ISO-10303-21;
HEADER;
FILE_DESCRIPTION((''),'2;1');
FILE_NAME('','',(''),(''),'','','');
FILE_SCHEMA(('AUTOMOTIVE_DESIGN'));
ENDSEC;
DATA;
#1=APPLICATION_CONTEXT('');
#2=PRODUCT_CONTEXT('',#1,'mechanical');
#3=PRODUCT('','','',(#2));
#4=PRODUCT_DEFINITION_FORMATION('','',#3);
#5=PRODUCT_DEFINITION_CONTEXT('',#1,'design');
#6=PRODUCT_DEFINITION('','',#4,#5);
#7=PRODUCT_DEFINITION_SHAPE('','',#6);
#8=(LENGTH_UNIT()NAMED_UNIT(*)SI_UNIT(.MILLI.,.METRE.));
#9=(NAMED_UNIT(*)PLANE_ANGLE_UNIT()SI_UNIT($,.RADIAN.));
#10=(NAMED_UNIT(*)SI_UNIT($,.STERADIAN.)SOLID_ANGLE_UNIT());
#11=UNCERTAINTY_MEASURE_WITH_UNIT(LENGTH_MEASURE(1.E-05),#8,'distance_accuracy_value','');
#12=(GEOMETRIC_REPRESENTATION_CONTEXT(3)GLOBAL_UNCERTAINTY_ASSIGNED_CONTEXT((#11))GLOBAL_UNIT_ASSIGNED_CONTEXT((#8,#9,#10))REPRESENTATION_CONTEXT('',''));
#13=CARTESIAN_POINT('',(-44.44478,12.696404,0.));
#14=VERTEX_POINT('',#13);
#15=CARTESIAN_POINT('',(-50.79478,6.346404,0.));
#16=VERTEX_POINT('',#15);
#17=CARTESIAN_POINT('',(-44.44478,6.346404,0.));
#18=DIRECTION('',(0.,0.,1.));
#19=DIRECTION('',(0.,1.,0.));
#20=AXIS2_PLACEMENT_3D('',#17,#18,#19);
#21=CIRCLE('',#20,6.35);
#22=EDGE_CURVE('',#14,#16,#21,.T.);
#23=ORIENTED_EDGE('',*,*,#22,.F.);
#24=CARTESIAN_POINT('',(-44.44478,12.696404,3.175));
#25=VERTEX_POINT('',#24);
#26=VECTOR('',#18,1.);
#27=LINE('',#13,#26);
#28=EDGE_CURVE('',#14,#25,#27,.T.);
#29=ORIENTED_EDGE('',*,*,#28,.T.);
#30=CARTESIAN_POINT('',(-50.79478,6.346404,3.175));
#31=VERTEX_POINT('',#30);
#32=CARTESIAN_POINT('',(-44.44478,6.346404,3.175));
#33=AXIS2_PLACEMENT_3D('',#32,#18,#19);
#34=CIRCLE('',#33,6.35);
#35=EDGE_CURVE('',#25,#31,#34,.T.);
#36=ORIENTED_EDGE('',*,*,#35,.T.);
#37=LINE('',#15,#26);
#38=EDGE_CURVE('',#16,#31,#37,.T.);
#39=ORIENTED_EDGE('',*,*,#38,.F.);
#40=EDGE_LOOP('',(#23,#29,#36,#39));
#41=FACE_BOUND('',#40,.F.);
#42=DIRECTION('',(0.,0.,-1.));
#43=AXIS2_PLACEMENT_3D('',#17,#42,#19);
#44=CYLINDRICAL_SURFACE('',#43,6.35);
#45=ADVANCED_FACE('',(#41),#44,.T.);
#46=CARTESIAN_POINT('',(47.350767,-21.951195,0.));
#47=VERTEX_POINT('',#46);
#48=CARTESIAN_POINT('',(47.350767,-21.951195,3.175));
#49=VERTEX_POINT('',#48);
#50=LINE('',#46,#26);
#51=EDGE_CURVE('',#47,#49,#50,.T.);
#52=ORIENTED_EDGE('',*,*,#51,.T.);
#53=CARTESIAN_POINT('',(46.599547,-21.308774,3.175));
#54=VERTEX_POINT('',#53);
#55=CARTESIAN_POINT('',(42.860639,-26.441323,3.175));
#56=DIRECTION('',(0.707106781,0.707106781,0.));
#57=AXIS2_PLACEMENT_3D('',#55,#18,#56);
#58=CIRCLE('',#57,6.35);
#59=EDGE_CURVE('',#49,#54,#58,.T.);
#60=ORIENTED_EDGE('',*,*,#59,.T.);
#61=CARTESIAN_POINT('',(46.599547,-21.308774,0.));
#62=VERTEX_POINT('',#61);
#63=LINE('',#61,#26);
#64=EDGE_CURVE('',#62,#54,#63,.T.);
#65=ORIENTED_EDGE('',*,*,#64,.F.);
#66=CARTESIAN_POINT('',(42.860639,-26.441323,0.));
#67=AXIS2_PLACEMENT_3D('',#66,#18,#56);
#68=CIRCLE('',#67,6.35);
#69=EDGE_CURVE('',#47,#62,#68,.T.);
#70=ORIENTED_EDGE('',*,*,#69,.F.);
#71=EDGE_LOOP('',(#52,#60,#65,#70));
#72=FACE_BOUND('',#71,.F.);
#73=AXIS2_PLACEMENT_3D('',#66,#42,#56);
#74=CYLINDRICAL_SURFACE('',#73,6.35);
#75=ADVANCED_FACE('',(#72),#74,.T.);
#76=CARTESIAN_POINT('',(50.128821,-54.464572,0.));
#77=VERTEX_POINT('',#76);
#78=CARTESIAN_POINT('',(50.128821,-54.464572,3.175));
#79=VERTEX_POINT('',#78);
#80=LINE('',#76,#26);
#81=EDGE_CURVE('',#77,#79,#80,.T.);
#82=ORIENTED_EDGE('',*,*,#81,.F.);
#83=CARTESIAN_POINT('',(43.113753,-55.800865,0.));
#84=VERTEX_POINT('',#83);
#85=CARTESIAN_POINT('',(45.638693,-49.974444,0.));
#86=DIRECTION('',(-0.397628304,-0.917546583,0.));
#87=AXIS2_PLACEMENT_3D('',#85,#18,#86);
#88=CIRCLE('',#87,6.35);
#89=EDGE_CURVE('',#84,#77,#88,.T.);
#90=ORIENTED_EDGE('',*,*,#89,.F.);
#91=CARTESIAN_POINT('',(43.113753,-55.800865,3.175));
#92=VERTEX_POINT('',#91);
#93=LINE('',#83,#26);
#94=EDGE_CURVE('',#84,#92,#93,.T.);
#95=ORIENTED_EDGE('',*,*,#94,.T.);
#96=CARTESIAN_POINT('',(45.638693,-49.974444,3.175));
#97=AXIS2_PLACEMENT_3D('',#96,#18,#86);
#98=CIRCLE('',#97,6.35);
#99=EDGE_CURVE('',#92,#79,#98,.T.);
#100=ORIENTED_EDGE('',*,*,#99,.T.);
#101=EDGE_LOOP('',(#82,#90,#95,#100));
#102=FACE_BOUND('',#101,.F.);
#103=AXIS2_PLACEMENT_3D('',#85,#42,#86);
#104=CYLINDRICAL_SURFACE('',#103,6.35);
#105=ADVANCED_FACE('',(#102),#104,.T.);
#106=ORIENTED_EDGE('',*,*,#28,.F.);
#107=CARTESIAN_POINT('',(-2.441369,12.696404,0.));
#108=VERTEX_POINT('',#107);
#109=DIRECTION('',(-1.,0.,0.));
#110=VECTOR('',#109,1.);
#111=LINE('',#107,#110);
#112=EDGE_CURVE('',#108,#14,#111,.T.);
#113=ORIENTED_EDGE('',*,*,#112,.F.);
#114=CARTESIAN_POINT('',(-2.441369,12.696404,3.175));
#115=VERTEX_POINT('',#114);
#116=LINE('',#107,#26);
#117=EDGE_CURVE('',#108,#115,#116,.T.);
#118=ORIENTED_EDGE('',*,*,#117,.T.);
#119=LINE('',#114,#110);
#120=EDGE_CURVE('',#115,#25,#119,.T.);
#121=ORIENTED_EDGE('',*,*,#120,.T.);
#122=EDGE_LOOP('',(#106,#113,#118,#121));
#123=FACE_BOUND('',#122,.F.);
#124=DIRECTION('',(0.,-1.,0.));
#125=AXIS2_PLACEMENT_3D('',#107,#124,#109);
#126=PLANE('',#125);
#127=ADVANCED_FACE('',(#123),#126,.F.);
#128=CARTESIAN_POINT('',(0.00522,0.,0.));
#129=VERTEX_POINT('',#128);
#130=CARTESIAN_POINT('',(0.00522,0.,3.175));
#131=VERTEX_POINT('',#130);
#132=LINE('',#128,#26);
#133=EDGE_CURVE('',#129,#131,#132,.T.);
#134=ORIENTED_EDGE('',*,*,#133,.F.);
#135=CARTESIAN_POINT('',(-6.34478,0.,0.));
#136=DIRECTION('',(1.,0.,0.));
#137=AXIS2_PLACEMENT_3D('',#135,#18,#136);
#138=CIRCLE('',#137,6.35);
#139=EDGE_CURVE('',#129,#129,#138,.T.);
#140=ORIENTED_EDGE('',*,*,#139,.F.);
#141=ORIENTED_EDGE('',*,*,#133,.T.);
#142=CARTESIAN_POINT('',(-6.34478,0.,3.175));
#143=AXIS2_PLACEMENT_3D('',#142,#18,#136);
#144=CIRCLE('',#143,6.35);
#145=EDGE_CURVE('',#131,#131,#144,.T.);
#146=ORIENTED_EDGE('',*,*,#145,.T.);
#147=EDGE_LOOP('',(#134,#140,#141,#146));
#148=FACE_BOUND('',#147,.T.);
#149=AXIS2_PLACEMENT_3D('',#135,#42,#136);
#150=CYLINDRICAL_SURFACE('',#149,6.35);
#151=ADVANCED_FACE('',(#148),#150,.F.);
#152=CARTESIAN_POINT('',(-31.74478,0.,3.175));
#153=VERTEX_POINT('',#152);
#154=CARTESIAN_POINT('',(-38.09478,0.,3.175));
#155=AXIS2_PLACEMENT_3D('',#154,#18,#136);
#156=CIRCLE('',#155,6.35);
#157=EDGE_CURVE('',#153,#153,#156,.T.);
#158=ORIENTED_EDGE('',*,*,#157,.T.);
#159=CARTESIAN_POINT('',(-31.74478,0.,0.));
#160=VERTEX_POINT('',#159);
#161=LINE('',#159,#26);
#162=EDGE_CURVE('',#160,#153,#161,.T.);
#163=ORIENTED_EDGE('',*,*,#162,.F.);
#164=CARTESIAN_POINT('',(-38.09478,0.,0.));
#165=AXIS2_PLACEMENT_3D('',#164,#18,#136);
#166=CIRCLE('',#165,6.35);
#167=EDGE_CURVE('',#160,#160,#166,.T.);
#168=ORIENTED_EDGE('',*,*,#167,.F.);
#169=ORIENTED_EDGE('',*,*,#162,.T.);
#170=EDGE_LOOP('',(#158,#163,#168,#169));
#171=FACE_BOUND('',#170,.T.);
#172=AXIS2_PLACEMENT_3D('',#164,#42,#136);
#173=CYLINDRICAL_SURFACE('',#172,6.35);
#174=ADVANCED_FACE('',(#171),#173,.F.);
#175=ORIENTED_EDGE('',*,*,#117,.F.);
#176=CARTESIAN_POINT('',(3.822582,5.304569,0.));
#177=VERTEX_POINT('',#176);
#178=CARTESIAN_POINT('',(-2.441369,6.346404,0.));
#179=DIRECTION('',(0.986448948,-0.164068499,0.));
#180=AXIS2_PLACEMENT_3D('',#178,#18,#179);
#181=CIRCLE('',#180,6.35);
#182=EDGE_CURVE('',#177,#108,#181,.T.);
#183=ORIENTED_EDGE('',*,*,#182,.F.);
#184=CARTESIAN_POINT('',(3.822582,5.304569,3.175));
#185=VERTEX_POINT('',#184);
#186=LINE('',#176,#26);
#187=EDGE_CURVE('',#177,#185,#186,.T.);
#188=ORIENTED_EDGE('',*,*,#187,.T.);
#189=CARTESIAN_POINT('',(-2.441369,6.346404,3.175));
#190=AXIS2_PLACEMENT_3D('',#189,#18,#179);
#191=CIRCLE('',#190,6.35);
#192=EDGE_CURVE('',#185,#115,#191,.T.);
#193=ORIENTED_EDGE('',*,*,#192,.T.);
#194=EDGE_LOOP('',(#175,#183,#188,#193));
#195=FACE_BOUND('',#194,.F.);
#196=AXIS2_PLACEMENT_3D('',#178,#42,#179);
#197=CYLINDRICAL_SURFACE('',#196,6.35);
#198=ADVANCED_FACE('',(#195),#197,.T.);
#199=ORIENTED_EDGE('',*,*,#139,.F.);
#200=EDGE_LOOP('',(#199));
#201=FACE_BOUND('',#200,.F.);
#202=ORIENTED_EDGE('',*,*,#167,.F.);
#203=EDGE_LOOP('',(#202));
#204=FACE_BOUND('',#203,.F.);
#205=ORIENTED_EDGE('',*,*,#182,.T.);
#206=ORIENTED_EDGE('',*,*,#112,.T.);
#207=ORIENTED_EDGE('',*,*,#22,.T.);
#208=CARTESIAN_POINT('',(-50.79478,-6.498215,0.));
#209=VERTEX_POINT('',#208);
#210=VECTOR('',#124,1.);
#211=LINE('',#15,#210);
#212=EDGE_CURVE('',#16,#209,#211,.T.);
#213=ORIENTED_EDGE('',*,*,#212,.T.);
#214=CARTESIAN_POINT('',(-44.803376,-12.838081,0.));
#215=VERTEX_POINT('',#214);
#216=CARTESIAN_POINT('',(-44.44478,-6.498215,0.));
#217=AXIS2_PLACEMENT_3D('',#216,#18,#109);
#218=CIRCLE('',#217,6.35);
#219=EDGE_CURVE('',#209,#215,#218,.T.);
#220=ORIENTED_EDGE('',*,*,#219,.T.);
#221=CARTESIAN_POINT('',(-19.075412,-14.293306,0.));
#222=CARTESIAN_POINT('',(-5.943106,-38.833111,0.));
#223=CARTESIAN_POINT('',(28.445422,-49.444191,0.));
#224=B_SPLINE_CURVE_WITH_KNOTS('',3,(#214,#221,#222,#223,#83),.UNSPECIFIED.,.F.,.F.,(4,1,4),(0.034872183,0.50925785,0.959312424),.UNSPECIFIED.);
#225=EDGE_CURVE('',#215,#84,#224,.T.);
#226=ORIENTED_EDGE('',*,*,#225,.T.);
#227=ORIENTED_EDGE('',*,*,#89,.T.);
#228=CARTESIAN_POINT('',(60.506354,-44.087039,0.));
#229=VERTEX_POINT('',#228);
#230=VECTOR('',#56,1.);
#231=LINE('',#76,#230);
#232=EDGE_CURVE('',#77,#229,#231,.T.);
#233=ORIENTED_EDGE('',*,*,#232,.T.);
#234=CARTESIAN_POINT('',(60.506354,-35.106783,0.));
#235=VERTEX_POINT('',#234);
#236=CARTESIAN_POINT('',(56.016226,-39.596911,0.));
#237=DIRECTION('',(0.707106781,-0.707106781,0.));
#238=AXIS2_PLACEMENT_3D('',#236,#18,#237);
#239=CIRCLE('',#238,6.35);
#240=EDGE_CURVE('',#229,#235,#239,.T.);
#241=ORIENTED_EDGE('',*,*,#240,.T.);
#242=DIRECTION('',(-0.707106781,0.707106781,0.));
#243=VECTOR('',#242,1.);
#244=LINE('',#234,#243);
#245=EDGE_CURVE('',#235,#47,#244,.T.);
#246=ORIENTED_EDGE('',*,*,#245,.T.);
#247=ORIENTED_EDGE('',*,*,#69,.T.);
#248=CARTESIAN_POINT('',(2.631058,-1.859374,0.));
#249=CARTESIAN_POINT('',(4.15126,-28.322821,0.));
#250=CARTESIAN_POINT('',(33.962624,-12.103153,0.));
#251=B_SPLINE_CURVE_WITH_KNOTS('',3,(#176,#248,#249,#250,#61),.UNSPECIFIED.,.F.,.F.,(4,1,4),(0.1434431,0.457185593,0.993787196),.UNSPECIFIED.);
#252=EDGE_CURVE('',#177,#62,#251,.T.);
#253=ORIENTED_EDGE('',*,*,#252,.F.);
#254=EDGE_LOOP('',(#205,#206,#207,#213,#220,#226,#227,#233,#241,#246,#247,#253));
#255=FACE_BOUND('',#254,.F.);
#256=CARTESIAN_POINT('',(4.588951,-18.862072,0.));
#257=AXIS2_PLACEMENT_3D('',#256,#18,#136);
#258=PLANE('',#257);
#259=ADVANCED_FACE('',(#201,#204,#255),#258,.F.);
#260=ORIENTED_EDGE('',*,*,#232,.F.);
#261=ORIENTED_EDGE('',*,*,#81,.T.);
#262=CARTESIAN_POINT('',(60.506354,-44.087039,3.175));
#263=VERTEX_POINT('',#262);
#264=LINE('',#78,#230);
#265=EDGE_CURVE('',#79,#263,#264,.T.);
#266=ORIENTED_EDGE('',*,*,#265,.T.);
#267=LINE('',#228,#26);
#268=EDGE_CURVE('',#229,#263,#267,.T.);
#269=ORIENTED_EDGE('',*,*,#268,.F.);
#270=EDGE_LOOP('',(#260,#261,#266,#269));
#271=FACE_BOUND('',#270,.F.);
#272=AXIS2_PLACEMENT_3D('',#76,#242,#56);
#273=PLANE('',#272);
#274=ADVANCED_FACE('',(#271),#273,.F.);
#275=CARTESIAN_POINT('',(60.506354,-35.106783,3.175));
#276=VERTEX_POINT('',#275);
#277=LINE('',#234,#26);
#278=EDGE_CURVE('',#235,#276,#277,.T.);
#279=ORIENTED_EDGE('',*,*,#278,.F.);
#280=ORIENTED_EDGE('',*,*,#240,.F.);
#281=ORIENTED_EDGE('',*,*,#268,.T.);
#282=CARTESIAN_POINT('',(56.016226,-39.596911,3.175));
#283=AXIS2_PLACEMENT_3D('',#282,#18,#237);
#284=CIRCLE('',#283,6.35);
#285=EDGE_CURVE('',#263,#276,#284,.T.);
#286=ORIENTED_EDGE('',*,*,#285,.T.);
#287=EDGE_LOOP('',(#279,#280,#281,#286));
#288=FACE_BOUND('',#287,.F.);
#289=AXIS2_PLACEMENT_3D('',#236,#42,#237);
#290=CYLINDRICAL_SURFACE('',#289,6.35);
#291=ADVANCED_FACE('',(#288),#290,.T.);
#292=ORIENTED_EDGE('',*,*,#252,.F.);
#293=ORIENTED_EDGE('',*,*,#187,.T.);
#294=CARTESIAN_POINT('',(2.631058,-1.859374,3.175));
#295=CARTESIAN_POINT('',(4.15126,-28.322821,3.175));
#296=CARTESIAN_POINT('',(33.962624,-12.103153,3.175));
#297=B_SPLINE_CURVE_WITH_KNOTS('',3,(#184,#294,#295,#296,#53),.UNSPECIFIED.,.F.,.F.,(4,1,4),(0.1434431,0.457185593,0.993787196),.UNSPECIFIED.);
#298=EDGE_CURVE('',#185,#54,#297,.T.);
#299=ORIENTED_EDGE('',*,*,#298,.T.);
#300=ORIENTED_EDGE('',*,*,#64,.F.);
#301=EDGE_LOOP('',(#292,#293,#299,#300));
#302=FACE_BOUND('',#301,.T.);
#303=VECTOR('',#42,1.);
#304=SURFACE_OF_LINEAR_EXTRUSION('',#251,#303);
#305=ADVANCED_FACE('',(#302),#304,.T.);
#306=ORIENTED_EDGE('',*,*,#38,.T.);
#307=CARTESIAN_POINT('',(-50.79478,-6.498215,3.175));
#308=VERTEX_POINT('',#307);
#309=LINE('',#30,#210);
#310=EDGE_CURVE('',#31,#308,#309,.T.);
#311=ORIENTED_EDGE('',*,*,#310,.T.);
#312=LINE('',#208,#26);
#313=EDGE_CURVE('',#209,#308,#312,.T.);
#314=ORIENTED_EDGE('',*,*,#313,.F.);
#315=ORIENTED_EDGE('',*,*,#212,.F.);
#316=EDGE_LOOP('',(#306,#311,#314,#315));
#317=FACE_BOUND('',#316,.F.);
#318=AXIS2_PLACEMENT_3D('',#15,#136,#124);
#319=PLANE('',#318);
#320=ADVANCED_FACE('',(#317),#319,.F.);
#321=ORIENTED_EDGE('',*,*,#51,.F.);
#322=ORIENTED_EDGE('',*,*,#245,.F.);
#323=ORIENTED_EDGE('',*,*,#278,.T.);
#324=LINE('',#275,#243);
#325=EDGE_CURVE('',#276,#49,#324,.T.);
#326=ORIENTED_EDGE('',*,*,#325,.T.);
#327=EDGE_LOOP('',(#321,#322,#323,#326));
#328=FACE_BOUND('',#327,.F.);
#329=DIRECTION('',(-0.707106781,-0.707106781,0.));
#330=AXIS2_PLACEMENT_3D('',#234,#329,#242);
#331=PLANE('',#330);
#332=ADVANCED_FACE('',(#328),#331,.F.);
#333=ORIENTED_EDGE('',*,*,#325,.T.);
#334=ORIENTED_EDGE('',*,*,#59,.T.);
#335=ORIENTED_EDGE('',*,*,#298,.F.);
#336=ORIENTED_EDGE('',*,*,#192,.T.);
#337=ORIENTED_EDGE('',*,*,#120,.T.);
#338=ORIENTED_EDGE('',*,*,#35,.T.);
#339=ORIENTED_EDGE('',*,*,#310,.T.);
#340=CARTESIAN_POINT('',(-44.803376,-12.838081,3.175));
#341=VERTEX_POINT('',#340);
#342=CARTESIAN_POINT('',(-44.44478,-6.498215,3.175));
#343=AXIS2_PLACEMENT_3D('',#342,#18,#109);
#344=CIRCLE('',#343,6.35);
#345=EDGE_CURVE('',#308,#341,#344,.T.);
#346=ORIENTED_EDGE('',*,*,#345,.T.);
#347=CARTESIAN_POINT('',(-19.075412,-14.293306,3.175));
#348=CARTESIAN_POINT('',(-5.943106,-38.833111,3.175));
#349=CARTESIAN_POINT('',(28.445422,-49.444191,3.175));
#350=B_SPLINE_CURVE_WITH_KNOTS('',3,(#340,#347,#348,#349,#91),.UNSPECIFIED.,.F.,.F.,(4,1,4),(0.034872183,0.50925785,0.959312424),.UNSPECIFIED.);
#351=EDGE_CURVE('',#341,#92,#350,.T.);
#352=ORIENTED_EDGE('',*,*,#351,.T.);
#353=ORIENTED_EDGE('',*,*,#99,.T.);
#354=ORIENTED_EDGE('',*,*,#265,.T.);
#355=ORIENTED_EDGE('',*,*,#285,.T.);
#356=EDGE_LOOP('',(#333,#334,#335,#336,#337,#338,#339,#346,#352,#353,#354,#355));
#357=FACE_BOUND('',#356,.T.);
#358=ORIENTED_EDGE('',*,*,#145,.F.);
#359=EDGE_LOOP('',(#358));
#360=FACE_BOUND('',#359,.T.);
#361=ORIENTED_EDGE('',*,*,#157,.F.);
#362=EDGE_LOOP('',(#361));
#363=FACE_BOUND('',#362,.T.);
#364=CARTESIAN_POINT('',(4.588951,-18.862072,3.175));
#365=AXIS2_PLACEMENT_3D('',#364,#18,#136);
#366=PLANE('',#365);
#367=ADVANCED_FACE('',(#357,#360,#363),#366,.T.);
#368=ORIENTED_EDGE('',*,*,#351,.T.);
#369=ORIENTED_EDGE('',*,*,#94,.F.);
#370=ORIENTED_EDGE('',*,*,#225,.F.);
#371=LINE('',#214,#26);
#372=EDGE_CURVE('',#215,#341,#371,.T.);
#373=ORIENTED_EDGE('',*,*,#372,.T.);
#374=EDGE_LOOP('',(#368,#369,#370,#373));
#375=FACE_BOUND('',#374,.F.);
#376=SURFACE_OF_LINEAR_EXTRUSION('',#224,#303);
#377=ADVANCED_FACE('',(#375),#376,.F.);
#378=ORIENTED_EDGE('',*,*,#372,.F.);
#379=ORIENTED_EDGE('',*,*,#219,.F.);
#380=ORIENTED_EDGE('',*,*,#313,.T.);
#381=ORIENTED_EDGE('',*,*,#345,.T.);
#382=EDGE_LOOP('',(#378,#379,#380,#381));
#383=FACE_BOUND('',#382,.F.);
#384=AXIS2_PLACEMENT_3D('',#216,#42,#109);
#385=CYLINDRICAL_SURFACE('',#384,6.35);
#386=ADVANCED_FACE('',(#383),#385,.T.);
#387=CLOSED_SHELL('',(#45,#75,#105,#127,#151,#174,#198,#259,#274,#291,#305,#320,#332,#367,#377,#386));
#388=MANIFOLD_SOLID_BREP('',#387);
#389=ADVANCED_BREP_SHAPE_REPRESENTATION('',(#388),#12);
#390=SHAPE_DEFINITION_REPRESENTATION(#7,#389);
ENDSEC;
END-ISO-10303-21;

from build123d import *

# Parameters (mm, degrees)
F0_R     = 6.35
F1_DEPTH = 3.175


with BuildPart() as f1:
    # F0 (on Top) → F1 (new body)
    with BuildSketch(Plane.XY):
        with BuildLine():
            Line((60.5063542363, -35.1067827146), (47.3507668446, -21.9511953229))
            ThreePointArc((47.3507668446, -21.9511953229), (46.9876761939, -21.6153455325), (46.5995474935, -21.3087741472))
            add(Edge.make_bspline(
                [(3.8225817445, 5.304569347), (2.6310578686, -1.8593742491), (4.1512597782, -28.3228214007), (33.9626243975, -12.1031533827), (46.5995474935, -21.3087741472)],
                knots=[0.1434430996, 0.1434430996, 0.1434430996, 0.1434430996, 0.4571855933, 0.9937871962, 0.9937871962, 0.9937871962, 0.9937871962], degree=3))
            ThreePointArc((3.8225817445, 5.304569347), (2.4031201664, 10.4516965076), (-2.4413690771, 12.696404317))
            Line((-2.4413690771, 12.696404317), (-44.4447802544, 12.696404317))
            ThreePointArc((-44.4447802544, 12.696404317), (-48.9349083149, 10.8365323776), (-50.7947802544, 6.346404317))
            Line((-50.7947802544, 6.346404317), (-50.7947802544, 0))
            Line((-50.7947802544, 0), (-50.7947802544, -6.4982147336))
            ThreePointArc((-50.7947802544, -6.4982147336), (-49.0599498847, -10.8597178326), (-44.8033757558, -12.8380813935))
            add(Edge.make_bspline(
                [(-44.8033757558, -12.8380813935), (-19.0754124939, -14.293306303), (-5.9431063849, -38.8331112749), (28.4454215414, -49.4441912723), (43.1137533873, -55.800864632)],
                knots=[0.034872183, 0.034872183, 0.034872183, 0.034872183, 0.5092578503, 0.9593124241, 0.9593124241, 0.9593124241, 0.9593124241], degree=3))
            ThreePointArc((43.1137533873, -55.800864632), (46.8269316745, -56.2122791238), (50.1288211803, -54.4645718918))
            Line((50.1288211803, -54.4645718918), (60.5063542363, -44.0870388357))
            ThreePointArc((60.5063542363, -44.0870388357), (62.3662261758, -39.5969107752), (60.5063542363, -35.1067827146))
        make_face()
        with Locations((-38.0947802544, 0)):
            Circle(F0_R, mode=Mode.SUBTRACT)
        with Locations((-6.3447802544, 0)):
            Circle(F0_R, mode=Mode.SUBTRACT)
    extrude(amount=F1_DEPTH)


solid = f1.part
